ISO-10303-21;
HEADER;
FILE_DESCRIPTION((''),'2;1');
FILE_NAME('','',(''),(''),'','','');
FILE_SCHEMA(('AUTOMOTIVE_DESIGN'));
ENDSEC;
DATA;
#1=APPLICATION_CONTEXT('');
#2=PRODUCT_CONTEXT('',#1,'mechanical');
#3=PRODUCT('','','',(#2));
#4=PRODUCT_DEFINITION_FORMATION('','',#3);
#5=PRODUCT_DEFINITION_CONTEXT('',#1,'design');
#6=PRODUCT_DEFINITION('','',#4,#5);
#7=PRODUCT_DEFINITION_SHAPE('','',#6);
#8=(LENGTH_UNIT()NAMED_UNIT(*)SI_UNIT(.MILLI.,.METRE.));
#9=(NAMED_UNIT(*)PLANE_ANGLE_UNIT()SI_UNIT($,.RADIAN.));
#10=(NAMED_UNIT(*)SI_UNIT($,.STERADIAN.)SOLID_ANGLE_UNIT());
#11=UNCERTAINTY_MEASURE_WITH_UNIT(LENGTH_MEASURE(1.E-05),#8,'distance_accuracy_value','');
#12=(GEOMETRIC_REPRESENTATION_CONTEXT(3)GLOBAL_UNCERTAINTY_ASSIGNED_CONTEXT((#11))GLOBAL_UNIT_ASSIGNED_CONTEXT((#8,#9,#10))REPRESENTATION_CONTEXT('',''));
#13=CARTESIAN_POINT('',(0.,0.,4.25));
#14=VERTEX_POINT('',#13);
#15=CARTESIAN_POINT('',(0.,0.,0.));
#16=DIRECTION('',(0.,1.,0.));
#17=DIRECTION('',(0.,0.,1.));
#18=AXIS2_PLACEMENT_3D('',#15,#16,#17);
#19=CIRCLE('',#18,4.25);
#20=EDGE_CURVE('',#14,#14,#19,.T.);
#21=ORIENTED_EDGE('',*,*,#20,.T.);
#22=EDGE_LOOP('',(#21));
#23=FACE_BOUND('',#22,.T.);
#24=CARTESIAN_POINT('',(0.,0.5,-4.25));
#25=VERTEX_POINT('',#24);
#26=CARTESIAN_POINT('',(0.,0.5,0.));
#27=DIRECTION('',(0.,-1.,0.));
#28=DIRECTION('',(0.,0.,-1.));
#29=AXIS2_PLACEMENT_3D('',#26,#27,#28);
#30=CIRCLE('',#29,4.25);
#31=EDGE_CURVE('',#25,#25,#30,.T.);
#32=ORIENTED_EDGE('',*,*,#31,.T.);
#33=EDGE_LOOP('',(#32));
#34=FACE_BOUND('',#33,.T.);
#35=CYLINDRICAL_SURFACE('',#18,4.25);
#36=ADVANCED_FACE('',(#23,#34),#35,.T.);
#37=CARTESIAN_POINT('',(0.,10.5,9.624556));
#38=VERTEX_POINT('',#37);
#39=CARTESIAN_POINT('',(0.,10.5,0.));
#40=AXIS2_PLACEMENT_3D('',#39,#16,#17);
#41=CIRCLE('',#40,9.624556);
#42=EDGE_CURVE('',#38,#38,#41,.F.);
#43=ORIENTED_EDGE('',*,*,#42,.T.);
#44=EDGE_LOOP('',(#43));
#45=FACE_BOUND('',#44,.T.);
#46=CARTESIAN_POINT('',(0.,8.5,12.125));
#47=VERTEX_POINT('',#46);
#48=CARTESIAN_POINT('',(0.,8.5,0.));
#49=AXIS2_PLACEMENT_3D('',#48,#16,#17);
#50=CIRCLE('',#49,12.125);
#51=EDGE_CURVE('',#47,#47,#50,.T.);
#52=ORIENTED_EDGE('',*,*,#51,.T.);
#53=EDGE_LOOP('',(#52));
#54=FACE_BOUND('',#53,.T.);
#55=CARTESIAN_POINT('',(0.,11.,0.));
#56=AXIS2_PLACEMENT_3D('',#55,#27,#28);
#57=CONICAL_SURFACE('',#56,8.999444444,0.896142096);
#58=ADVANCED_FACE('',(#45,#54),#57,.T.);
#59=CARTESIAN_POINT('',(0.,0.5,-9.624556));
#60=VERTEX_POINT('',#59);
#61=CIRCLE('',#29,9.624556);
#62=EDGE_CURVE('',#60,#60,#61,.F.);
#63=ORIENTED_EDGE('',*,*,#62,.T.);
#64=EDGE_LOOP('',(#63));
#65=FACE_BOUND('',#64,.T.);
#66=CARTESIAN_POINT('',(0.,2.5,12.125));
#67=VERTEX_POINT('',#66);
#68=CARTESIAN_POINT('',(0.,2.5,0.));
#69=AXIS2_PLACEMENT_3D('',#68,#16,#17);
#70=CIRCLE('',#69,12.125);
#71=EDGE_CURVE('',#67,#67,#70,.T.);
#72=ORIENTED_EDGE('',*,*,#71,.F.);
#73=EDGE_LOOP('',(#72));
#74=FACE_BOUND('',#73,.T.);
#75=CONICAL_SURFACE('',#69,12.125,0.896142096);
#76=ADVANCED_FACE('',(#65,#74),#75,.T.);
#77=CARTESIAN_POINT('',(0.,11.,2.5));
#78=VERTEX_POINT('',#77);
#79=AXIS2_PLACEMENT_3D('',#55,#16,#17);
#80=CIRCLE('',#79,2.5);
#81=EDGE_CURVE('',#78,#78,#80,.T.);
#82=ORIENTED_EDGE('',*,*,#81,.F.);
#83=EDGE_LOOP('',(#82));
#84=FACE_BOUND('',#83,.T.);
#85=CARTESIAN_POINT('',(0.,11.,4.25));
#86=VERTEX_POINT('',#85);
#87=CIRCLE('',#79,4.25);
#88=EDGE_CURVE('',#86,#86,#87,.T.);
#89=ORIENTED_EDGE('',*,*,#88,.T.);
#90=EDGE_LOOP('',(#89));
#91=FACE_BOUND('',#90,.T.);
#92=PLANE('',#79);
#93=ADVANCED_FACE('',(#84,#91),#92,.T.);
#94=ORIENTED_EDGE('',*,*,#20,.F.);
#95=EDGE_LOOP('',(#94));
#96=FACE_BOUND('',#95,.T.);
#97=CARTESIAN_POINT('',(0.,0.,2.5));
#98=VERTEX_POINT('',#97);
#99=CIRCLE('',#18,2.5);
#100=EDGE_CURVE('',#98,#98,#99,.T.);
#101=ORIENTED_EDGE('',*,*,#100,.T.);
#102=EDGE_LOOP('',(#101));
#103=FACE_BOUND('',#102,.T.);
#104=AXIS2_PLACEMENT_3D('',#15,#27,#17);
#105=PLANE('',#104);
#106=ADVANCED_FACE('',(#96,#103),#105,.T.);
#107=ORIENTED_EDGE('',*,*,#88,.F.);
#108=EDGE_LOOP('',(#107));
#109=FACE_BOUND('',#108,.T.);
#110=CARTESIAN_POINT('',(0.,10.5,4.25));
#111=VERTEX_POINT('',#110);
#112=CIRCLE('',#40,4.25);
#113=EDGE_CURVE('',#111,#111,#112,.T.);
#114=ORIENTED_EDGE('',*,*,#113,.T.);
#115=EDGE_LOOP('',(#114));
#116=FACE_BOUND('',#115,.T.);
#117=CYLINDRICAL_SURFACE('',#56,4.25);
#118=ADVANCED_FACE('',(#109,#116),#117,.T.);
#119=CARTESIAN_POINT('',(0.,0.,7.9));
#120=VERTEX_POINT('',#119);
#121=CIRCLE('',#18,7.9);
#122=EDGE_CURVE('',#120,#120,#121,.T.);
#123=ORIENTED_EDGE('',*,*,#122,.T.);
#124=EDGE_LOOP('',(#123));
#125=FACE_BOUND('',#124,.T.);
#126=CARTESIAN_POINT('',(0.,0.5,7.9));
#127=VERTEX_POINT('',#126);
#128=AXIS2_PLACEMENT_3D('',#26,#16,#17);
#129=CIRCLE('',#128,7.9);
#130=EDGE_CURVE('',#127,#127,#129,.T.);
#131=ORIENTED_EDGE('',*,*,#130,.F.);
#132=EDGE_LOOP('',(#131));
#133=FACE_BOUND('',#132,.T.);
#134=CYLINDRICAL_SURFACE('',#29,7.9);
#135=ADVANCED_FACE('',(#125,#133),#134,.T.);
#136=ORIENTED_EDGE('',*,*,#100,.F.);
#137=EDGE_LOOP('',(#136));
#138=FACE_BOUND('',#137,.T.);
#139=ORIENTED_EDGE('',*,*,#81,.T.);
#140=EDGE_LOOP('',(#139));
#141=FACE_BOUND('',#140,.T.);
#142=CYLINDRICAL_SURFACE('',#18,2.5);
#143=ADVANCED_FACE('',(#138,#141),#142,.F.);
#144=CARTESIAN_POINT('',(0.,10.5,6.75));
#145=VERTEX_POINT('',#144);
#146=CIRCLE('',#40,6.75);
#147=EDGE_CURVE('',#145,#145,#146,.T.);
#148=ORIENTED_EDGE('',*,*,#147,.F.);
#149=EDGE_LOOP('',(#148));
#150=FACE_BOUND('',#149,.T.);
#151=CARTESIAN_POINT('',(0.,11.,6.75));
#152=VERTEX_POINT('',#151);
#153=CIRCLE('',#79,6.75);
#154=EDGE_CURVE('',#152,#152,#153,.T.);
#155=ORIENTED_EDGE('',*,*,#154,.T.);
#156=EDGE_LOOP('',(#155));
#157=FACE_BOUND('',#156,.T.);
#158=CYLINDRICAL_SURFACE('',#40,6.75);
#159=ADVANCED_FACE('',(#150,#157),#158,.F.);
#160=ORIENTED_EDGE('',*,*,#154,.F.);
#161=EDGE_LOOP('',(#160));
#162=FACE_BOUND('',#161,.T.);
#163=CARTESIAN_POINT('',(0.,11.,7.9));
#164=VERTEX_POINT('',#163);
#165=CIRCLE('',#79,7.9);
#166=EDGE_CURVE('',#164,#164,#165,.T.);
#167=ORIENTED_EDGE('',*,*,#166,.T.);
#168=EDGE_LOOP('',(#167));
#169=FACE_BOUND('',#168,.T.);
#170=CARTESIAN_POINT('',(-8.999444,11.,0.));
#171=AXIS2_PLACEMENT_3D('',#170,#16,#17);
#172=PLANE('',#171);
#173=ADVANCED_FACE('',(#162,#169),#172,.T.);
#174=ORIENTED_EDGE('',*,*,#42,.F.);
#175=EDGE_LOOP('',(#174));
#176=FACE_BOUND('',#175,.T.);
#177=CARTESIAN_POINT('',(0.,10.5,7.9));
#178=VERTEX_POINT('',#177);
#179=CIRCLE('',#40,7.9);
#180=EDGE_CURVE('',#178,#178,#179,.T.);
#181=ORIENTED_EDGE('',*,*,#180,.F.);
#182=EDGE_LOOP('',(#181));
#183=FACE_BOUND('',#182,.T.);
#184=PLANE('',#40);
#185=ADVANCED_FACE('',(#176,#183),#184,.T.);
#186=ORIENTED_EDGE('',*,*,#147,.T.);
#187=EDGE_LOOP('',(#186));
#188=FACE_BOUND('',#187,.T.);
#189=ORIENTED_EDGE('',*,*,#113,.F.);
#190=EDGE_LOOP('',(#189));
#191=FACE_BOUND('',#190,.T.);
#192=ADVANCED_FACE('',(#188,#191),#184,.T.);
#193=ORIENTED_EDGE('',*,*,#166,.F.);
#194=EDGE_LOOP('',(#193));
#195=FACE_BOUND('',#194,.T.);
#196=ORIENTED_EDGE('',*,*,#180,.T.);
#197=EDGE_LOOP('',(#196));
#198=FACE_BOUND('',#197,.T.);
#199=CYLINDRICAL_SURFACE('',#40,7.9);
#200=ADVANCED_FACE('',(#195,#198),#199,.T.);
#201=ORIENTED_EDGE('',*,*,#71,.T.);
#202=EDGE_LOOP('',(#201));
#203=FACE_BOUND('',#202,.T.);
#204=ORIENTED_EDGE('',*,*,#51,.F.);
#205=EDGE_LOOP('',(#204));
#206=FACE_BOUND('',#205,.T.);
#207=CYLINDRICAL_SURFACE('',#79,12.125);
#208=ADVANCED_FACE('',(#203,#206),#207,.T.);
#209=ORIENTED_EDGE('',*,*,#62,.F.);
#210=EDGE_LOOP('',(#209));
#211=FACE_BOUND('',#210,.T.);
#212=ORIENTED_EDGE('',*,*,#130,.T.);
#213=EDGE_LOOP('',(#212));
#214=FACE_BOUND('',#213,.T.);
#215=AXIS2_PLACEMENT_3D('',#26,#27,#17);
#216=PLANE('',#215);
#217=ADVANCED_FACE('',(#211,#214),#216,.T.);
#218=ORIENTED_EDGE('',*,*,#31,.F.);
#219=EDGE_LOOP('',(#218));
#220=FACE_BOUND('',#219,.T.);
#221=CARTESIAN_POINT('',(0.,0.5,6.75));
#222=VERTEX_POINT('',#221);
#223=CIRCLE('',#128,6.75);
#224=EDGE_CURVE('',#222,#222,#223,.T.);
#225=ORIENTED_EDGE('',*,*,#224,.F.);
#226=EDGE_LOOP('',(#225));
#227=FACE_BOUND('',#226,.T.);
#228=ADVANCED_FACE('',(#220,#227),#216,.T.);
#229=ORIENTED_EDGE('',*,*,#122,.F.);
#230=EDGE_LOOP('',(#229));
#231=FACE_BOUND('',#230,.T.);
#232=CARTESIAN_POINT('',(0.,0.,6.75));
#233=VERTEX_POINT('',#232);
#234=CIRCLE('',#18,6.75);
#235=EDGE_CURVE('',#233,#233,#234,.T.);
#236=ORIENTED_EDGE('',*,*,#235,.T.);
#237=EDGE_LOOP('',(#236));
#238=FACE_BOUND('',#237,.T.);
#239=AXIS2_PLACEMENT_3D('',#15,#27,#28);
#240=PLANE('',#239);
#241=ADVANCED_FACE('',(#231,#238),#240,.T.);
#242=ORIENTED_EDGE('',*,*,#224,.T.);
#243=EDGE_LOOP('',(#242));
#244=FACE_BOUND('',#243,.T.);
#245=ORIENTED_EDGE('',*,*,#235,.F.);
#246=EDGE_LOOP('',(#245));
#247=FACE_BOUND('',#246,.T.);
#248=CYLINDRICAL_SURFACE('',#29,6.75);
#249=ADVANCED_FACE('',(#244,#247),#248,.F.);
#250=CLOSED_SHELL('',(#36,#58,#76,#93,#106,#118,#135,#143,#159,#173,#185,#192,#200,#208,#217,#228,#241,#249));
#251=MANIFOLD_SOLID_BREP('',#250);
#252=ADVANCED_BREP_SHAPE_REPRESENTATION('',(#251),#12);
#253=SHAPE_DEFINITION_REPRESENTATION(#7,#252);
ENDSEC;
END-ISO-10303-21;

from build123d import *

# Parameters (mm, degrees)
SKETCH4_R           = 10.429730926
SKETCH4_R_2         = 7.9
CUT_EXTRUDE1_DEPTH  = 0.5
SKETCH5_R           = 6.75
CUT_EXTRUDE2_DEPTH  = 0.5
SKETCH6_R           = 4.25
BOSS_EXTRUDE1_DEPTH = 0.5
SKETCH7_R           = 2.5
CUT_EXTRUDE3_DEPTH  = 21.372315774


with BuildPart() as part:
    # Sketch1 → Revolve1 (revolve)
    with BuildSketch(Plane.XY, mode=Mode.PRIVATE) as revolve1_sk:
        Polygon((0, 0), (-8.999444444, 0), (-12.125, 2.5), (-12.125, 8.5), (-8.999444444, 11), (0, 11), align=None)
    revolve(revolve1_sk.sketch.rotate(Axis((0, 11, 0), (0, -1, 0)), 270), axis=Axis((0, 11, 0), (0, -1, 0)))

    # Sketch4 → Cut-Extrude1 (cut)
    with BuildSketch(Plane(origin=(0, 11, 0), x_dir=(1, 0, 0), z_dir=(0, 1, 0))):
        Circle(SKETCH4_R)
        with Locations(Location((0, 0, 0), (0, 0, 270))):
            Circle(SKETCH4_R_2, mode=Mode.SUBTRACT)
    cut_extrude1 = extrude(amount=-CUT_EXTRUDE1_DEPTH, mode=Mode.SUBTRACT)

    # Sketch5 → Cut-Extrude2 (cut)
    with BuildSketch(Plane(origin=(0, 11, 0), x_dir=(1, 0, 0), z_dir=(0, 1, 0))):
        with Locations(Location((0, 0, 0), (0, 0, 270))):
            Circle(SKETCH5_R)
    cut_extrude2 = extrude(amount=-CUT_EXTRUDE2_DEPTH, mode=Mode.SUBTRACT)

    # Sketch6 → Boss-Extrude1 (add)
    with BuildSketch(Plane(origin=(0, 10.5, 0), x_dir=(1, 0, 0), z_dir=(0, 1, 0))):
        with Locations(Location((0, 0, 0), (0, 0, 270))):
            Circle(SKETCH6_R)
    boss_extrude1 = extrude(amount=BOSS_EXTRUDE1_DEPTH)

    # Mirror1: Cut-Extrude1, Cut-Extrude2, Boss-Extrude1 across plane
    add(cut_extrude1.mirror(Plane.ZX.offset(5.5)), mode=Mode.SUBTRACT)
    add(cut_extrude2.mirror(Plane.ZX.offset(5.5)), mode=Mode.SUBTRACT)
    add(boss_extrude1.mirror(Plane.ZX.offset(5.5)))

    # Sketch7 → Cut-Extrude3 (cut, through all)
    with BuildSketch(Plane(origin=(0, 11, 0), x_dir=(1, 0, 0), z_dir=(0, 1, 0))):
        with Locations(Location((0, 0, 0), (0, 0, 270))):
            Circle(SKETCH7_R)
    extrude(amount=-CUT_EXTRUDE3_DEPTH, mode=Mode.SUBTRACT)


solid = part.part
